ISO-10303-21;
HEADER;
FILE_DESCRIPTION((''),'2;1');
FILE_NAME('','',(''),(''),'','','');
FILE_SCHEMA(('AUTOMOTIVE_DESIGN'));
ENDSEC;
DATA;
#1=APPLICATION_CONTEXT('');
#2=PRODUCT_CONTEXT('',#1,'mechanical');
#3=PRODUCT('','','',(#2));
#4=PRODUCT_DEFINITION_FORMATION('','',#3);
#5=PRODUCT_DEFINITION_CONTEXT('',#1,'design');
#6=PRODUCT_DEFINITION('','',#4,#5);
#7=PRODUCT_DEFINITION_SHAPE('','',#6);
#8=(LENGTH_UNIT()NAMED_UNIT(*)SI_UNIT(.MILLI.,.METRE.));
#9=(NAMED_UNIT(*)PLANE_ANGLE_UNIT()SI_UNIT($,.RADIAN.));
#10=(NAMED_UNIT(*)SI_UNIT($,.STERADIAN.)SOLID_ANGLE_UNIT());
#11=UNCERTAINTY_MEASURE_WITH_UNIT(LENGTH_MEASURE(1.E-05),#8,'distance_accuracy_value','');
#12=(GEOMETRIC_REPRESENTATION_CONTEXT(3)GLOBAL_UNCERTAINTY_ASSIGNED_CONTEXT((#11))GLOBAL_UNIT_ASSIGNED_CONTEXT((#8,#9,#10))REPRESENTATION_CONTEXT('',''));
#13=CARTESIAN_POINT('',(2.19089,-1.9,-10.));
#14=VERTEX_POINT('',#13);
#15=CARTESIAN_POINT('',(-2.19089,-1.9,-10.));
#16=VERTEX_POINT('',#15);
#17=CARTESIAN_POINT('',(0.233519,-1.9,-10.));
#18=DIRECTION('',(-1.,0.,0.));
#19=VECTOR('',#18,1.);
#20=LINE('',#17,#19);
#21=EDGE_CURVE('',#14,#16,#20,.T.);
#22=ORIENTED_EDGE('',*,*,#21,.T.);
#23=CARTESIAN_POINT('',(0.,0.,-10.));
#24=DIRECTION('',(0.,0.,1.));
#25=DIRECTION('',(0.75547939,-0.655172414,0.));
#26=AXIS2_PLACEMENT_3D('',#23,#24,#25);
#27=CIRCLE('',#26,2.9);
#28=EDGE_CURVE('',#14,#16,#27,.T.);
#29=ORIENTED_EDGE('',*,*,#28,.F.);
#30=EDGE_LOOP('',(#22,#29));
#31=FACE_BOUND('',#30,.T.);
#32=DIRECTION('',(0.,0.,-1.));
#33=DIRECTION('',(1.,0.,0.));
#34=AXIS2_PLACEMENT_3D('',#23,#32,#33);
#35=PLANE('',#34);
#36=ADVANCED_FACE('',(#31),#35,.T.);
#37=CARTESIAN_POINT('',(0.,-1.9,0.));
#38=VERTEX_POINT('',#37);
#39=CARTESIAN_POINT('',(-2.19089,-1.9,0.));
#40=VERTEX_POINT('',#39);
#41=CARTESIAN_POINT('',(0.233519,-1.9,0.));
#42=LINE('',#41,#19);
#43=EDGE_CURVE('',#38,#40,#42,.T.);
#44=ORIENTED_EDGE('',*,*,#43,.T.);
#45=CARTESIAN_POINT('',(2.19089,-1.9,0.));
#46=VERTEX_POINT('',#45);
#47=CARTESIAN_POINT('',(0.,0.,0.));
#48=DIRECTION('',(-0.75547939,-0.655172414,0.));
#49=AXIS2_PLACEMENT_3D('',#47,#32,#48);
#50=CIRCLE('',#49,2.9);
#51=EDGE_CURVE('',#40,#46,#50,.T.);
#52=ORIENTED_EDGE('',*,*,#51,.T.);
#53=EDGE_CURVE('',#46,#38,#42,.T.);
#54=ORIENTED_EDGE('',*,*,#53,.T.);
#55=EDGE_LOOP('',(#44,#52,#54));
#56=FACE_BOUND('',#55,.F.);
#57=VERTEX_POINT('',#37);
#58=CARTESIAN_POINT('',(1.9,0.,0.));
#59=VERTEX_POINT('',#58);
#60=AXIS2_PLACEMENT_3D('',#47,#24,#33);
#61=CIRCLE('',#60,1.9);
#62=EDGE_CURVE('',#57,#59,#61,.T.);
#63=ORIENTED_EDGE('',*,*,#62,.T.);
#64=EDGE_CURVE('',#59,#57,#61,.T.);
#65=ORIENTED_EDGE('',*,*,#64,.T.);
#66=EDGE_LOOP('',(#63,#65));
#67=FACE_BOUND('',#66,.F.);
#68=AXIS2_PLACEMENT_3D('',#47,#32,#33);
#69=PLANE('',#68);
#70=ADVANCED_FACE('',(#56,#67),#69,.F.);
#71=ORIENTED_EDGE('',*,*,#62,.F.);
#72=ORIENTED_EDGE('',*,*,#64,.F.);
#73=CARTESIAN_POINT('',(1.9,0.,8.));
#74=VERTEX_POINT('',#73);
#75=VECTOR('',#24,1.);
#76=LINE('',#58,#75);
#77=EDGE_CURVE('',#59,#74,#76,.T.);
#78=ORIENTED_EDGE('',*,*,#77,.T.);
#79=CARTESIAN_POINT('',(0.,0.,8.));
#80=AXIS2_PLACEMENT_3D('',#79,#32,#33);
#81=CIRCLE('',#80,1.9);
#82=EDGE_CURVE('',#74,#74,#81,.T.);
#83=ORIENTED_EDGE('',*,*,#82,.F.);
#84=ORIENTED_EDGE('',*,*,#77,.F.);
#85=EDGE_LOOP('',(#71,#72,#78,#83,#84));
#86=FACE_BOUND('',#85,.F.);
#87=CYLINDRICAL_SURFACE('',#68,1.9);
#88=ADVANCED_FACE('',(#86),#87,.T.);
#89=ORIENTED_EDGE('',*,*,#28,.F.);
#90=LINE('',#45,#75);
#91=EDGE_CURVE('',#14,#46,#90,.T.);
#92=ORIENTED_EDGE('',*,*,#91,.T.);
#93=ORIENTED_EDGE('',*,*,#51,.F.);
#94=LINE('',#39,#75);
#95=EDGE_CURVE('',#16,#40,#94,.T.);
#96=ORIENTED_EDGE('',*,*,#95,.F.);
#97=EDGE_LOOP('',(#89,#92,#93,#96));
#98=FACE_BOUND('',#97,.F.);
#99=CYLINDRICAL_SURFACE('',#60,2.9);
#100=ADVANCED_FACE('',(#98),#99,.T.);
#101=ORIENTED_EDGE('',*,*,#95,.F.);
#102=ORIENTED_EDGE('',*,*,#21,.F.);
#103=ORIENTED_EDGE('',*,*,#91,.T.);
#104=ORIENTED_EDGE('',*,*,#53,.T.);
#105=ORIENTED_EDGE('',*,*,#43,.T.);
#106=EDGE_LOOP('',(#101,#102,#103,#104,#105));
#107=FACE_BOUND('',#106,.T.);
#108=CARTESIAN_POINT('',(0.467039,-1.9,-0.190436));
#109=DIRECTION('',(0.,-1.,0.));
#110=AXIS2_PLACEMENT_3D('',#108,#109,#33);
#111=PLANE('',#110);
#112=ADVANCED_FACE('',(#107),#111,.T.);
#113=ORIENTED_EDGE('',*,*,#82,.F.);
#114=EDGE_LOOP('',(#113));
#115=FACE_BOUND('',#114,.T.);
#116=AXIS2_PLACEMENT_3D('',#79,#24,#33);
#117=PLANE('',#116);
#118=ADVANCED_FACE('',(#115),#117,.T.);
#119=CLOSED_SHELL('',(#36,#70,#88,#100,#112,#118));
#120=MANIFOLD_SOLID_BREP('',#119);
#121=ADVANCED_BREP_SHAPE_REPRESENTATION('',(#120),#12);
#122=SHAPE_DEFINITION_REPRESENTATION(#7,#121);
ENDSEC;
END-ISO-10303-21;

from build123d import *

# Parameters (mm, degrees)
F0_R     = 1.9
F1_DEPTH = 8
F2_R     = 2.9
F3_DEPTH = 10
F5_W     = 18.789151
F5_H     = 32.01971
F6_DEPTH = 25


with BuildPart() as f1:
    # F0 (on Top) → F1 (new body)
    with BuildSketch(Plane.XY):
        Circle(F0_R)
    extrude(amount=F1_DEPTH)

    # F2 (on face) → F3 (join)
    with BuildSketch(Plane(origin=(0, 0, 0), x_dir=(1, 0, 0), z_dir=(0, 0, -1))):
        Circle(F2_R)
    extrude(amount=F3_DEPTH)

    # F5 (on offset) → F6 (cut)
    with BuildSketch(Plane.XZ.offset(1.9)):
        with Locations((0.467039, -0.190436)):
            Rectangle(F5_W, F5_H)
    extrude(amount=F6_DEPTH, mode=Mode.SUBTRACT)


solid = f1.part
